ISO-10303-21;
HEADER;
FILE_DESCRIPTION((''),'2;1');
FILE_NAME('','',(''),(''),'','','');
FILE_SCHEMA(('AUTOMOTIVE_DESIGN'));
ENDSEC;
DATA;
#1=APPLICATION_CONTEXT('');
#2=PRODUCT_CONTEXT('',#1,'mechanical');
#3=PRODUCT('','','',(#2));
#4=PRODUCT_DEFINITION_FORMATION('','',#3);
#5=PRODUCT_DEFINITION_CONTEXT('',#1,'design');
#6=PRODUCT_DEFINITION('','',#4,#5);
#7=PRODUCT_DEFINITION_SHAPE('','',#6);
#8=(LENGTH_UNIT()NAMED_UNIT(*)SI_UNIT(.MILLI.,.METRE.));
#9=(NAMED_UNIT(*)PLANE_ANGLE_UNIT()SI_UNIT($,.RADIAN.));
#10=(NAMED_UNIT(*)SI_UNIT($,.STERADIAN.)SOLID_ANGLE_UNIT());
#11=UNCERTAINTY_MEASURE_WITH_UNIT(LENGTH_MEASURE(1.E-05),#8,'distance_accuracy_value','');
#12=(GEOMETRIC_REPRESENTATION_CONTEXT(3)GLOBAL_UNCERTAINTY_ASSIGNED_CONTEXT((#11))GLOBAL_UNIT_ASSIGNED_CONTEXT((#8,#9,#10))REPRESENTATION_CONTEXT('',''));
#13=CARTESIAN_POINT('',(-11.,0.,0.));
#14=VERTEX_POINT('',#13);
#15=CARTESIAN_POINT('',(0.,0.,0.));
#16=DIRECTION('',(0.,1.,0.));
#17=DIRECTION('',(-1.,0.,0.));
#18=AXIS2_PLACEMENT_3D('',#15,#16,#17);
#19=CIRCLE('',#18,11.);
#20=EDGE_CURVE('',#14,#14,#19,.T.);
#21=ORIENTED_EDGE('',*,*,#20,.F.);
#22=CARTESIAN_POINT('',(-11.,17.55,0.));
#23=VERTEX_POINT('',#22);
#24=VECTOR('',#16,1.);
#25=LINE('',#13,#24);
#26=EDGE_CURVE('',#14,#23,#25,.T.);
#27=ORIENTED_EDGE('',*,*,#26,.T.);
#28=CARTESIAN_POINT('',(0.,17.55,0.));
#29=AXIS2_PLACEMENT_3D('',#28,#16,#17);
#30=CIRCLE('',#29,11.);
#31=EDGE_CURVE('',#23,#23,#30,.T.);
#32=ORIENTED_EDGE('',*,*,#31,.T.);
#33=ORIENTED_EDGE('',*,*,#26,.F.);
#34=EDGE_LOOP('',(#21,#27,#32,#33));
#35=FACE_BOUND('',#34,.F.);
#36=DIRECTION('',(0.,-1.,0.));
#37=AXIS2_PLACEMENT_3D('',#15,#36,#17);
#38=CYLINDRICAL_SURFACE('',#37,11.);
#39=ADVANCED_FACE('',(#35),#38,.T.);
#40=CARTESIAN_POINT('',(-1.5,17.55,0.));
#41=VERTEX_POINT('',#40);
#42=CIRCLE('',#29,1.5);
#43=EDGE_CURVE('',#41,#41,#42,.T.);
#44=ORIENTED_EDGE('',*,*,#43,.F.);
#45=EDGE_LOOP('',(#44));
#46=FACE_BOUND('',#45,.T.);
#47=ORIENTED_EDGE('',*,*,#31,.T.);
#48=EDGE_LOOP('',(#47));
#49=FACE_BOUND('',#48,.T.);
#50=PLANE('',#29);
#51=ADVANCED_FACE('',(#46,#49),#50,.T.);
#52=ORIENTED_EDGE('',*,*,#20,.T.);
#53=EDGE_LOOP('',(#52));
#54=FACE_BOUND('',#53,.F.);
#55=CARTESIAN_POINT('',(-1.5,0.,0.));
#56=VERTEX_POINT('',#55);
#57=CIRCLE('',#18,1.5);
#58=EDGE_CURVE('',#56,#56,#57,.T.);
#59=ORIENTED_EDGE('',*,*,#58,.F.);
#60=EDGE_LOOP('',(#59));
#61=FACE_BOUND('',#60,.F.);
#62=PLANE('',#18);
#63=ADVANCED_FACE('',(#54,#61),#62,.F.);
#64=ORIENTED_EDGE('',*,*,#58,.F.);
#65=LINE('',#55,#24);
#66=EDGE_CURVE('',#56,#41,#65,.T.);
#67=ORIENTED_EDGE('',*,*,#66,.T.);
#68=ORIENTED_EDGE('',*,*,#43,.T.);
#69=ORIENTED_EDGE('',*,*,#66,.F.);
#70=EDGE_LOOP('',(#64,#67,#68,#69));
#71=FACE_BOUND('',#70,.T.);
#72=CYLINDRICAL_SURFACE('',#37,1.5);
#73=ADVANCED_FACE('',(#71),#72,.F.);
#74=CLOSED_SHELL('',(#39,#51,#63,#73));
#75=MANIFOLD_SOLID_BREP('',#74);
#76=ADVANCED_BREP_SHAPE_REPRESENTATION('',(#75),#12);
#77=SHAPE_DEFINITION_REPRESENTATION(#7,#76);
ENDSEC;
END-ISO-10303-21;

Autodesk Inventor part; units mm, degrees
ref_plane "YZ Plane" through (0, 0, 0) normal (1, 0, 0) x (0, 1, 0)
ref_plane "XZ Plane" through (0, 0, 0) normal (0, 1, 0) x (-1, 0, 0)
ref_plane "XY Plane" through (0, 0, 0) normal (0, 0, 1) x (1, 0, 0)
sketch "Skizze3" plane through (0, 0, 0) normal (0, 1, 0) x (-1, 0, 0)
  circle A0 centre (0, 0) radius 11
  circle A1 centre (0, 0) radius 1.5
  dimension "d4" = 3
  dimension "d5" = 22
extrude "Extrusion3" add sketch "Skizze3" along normal blind 17.55
properties part number "BT305_trajan20_21" material "Kunststoff, undurchsichtig Schwarz"
